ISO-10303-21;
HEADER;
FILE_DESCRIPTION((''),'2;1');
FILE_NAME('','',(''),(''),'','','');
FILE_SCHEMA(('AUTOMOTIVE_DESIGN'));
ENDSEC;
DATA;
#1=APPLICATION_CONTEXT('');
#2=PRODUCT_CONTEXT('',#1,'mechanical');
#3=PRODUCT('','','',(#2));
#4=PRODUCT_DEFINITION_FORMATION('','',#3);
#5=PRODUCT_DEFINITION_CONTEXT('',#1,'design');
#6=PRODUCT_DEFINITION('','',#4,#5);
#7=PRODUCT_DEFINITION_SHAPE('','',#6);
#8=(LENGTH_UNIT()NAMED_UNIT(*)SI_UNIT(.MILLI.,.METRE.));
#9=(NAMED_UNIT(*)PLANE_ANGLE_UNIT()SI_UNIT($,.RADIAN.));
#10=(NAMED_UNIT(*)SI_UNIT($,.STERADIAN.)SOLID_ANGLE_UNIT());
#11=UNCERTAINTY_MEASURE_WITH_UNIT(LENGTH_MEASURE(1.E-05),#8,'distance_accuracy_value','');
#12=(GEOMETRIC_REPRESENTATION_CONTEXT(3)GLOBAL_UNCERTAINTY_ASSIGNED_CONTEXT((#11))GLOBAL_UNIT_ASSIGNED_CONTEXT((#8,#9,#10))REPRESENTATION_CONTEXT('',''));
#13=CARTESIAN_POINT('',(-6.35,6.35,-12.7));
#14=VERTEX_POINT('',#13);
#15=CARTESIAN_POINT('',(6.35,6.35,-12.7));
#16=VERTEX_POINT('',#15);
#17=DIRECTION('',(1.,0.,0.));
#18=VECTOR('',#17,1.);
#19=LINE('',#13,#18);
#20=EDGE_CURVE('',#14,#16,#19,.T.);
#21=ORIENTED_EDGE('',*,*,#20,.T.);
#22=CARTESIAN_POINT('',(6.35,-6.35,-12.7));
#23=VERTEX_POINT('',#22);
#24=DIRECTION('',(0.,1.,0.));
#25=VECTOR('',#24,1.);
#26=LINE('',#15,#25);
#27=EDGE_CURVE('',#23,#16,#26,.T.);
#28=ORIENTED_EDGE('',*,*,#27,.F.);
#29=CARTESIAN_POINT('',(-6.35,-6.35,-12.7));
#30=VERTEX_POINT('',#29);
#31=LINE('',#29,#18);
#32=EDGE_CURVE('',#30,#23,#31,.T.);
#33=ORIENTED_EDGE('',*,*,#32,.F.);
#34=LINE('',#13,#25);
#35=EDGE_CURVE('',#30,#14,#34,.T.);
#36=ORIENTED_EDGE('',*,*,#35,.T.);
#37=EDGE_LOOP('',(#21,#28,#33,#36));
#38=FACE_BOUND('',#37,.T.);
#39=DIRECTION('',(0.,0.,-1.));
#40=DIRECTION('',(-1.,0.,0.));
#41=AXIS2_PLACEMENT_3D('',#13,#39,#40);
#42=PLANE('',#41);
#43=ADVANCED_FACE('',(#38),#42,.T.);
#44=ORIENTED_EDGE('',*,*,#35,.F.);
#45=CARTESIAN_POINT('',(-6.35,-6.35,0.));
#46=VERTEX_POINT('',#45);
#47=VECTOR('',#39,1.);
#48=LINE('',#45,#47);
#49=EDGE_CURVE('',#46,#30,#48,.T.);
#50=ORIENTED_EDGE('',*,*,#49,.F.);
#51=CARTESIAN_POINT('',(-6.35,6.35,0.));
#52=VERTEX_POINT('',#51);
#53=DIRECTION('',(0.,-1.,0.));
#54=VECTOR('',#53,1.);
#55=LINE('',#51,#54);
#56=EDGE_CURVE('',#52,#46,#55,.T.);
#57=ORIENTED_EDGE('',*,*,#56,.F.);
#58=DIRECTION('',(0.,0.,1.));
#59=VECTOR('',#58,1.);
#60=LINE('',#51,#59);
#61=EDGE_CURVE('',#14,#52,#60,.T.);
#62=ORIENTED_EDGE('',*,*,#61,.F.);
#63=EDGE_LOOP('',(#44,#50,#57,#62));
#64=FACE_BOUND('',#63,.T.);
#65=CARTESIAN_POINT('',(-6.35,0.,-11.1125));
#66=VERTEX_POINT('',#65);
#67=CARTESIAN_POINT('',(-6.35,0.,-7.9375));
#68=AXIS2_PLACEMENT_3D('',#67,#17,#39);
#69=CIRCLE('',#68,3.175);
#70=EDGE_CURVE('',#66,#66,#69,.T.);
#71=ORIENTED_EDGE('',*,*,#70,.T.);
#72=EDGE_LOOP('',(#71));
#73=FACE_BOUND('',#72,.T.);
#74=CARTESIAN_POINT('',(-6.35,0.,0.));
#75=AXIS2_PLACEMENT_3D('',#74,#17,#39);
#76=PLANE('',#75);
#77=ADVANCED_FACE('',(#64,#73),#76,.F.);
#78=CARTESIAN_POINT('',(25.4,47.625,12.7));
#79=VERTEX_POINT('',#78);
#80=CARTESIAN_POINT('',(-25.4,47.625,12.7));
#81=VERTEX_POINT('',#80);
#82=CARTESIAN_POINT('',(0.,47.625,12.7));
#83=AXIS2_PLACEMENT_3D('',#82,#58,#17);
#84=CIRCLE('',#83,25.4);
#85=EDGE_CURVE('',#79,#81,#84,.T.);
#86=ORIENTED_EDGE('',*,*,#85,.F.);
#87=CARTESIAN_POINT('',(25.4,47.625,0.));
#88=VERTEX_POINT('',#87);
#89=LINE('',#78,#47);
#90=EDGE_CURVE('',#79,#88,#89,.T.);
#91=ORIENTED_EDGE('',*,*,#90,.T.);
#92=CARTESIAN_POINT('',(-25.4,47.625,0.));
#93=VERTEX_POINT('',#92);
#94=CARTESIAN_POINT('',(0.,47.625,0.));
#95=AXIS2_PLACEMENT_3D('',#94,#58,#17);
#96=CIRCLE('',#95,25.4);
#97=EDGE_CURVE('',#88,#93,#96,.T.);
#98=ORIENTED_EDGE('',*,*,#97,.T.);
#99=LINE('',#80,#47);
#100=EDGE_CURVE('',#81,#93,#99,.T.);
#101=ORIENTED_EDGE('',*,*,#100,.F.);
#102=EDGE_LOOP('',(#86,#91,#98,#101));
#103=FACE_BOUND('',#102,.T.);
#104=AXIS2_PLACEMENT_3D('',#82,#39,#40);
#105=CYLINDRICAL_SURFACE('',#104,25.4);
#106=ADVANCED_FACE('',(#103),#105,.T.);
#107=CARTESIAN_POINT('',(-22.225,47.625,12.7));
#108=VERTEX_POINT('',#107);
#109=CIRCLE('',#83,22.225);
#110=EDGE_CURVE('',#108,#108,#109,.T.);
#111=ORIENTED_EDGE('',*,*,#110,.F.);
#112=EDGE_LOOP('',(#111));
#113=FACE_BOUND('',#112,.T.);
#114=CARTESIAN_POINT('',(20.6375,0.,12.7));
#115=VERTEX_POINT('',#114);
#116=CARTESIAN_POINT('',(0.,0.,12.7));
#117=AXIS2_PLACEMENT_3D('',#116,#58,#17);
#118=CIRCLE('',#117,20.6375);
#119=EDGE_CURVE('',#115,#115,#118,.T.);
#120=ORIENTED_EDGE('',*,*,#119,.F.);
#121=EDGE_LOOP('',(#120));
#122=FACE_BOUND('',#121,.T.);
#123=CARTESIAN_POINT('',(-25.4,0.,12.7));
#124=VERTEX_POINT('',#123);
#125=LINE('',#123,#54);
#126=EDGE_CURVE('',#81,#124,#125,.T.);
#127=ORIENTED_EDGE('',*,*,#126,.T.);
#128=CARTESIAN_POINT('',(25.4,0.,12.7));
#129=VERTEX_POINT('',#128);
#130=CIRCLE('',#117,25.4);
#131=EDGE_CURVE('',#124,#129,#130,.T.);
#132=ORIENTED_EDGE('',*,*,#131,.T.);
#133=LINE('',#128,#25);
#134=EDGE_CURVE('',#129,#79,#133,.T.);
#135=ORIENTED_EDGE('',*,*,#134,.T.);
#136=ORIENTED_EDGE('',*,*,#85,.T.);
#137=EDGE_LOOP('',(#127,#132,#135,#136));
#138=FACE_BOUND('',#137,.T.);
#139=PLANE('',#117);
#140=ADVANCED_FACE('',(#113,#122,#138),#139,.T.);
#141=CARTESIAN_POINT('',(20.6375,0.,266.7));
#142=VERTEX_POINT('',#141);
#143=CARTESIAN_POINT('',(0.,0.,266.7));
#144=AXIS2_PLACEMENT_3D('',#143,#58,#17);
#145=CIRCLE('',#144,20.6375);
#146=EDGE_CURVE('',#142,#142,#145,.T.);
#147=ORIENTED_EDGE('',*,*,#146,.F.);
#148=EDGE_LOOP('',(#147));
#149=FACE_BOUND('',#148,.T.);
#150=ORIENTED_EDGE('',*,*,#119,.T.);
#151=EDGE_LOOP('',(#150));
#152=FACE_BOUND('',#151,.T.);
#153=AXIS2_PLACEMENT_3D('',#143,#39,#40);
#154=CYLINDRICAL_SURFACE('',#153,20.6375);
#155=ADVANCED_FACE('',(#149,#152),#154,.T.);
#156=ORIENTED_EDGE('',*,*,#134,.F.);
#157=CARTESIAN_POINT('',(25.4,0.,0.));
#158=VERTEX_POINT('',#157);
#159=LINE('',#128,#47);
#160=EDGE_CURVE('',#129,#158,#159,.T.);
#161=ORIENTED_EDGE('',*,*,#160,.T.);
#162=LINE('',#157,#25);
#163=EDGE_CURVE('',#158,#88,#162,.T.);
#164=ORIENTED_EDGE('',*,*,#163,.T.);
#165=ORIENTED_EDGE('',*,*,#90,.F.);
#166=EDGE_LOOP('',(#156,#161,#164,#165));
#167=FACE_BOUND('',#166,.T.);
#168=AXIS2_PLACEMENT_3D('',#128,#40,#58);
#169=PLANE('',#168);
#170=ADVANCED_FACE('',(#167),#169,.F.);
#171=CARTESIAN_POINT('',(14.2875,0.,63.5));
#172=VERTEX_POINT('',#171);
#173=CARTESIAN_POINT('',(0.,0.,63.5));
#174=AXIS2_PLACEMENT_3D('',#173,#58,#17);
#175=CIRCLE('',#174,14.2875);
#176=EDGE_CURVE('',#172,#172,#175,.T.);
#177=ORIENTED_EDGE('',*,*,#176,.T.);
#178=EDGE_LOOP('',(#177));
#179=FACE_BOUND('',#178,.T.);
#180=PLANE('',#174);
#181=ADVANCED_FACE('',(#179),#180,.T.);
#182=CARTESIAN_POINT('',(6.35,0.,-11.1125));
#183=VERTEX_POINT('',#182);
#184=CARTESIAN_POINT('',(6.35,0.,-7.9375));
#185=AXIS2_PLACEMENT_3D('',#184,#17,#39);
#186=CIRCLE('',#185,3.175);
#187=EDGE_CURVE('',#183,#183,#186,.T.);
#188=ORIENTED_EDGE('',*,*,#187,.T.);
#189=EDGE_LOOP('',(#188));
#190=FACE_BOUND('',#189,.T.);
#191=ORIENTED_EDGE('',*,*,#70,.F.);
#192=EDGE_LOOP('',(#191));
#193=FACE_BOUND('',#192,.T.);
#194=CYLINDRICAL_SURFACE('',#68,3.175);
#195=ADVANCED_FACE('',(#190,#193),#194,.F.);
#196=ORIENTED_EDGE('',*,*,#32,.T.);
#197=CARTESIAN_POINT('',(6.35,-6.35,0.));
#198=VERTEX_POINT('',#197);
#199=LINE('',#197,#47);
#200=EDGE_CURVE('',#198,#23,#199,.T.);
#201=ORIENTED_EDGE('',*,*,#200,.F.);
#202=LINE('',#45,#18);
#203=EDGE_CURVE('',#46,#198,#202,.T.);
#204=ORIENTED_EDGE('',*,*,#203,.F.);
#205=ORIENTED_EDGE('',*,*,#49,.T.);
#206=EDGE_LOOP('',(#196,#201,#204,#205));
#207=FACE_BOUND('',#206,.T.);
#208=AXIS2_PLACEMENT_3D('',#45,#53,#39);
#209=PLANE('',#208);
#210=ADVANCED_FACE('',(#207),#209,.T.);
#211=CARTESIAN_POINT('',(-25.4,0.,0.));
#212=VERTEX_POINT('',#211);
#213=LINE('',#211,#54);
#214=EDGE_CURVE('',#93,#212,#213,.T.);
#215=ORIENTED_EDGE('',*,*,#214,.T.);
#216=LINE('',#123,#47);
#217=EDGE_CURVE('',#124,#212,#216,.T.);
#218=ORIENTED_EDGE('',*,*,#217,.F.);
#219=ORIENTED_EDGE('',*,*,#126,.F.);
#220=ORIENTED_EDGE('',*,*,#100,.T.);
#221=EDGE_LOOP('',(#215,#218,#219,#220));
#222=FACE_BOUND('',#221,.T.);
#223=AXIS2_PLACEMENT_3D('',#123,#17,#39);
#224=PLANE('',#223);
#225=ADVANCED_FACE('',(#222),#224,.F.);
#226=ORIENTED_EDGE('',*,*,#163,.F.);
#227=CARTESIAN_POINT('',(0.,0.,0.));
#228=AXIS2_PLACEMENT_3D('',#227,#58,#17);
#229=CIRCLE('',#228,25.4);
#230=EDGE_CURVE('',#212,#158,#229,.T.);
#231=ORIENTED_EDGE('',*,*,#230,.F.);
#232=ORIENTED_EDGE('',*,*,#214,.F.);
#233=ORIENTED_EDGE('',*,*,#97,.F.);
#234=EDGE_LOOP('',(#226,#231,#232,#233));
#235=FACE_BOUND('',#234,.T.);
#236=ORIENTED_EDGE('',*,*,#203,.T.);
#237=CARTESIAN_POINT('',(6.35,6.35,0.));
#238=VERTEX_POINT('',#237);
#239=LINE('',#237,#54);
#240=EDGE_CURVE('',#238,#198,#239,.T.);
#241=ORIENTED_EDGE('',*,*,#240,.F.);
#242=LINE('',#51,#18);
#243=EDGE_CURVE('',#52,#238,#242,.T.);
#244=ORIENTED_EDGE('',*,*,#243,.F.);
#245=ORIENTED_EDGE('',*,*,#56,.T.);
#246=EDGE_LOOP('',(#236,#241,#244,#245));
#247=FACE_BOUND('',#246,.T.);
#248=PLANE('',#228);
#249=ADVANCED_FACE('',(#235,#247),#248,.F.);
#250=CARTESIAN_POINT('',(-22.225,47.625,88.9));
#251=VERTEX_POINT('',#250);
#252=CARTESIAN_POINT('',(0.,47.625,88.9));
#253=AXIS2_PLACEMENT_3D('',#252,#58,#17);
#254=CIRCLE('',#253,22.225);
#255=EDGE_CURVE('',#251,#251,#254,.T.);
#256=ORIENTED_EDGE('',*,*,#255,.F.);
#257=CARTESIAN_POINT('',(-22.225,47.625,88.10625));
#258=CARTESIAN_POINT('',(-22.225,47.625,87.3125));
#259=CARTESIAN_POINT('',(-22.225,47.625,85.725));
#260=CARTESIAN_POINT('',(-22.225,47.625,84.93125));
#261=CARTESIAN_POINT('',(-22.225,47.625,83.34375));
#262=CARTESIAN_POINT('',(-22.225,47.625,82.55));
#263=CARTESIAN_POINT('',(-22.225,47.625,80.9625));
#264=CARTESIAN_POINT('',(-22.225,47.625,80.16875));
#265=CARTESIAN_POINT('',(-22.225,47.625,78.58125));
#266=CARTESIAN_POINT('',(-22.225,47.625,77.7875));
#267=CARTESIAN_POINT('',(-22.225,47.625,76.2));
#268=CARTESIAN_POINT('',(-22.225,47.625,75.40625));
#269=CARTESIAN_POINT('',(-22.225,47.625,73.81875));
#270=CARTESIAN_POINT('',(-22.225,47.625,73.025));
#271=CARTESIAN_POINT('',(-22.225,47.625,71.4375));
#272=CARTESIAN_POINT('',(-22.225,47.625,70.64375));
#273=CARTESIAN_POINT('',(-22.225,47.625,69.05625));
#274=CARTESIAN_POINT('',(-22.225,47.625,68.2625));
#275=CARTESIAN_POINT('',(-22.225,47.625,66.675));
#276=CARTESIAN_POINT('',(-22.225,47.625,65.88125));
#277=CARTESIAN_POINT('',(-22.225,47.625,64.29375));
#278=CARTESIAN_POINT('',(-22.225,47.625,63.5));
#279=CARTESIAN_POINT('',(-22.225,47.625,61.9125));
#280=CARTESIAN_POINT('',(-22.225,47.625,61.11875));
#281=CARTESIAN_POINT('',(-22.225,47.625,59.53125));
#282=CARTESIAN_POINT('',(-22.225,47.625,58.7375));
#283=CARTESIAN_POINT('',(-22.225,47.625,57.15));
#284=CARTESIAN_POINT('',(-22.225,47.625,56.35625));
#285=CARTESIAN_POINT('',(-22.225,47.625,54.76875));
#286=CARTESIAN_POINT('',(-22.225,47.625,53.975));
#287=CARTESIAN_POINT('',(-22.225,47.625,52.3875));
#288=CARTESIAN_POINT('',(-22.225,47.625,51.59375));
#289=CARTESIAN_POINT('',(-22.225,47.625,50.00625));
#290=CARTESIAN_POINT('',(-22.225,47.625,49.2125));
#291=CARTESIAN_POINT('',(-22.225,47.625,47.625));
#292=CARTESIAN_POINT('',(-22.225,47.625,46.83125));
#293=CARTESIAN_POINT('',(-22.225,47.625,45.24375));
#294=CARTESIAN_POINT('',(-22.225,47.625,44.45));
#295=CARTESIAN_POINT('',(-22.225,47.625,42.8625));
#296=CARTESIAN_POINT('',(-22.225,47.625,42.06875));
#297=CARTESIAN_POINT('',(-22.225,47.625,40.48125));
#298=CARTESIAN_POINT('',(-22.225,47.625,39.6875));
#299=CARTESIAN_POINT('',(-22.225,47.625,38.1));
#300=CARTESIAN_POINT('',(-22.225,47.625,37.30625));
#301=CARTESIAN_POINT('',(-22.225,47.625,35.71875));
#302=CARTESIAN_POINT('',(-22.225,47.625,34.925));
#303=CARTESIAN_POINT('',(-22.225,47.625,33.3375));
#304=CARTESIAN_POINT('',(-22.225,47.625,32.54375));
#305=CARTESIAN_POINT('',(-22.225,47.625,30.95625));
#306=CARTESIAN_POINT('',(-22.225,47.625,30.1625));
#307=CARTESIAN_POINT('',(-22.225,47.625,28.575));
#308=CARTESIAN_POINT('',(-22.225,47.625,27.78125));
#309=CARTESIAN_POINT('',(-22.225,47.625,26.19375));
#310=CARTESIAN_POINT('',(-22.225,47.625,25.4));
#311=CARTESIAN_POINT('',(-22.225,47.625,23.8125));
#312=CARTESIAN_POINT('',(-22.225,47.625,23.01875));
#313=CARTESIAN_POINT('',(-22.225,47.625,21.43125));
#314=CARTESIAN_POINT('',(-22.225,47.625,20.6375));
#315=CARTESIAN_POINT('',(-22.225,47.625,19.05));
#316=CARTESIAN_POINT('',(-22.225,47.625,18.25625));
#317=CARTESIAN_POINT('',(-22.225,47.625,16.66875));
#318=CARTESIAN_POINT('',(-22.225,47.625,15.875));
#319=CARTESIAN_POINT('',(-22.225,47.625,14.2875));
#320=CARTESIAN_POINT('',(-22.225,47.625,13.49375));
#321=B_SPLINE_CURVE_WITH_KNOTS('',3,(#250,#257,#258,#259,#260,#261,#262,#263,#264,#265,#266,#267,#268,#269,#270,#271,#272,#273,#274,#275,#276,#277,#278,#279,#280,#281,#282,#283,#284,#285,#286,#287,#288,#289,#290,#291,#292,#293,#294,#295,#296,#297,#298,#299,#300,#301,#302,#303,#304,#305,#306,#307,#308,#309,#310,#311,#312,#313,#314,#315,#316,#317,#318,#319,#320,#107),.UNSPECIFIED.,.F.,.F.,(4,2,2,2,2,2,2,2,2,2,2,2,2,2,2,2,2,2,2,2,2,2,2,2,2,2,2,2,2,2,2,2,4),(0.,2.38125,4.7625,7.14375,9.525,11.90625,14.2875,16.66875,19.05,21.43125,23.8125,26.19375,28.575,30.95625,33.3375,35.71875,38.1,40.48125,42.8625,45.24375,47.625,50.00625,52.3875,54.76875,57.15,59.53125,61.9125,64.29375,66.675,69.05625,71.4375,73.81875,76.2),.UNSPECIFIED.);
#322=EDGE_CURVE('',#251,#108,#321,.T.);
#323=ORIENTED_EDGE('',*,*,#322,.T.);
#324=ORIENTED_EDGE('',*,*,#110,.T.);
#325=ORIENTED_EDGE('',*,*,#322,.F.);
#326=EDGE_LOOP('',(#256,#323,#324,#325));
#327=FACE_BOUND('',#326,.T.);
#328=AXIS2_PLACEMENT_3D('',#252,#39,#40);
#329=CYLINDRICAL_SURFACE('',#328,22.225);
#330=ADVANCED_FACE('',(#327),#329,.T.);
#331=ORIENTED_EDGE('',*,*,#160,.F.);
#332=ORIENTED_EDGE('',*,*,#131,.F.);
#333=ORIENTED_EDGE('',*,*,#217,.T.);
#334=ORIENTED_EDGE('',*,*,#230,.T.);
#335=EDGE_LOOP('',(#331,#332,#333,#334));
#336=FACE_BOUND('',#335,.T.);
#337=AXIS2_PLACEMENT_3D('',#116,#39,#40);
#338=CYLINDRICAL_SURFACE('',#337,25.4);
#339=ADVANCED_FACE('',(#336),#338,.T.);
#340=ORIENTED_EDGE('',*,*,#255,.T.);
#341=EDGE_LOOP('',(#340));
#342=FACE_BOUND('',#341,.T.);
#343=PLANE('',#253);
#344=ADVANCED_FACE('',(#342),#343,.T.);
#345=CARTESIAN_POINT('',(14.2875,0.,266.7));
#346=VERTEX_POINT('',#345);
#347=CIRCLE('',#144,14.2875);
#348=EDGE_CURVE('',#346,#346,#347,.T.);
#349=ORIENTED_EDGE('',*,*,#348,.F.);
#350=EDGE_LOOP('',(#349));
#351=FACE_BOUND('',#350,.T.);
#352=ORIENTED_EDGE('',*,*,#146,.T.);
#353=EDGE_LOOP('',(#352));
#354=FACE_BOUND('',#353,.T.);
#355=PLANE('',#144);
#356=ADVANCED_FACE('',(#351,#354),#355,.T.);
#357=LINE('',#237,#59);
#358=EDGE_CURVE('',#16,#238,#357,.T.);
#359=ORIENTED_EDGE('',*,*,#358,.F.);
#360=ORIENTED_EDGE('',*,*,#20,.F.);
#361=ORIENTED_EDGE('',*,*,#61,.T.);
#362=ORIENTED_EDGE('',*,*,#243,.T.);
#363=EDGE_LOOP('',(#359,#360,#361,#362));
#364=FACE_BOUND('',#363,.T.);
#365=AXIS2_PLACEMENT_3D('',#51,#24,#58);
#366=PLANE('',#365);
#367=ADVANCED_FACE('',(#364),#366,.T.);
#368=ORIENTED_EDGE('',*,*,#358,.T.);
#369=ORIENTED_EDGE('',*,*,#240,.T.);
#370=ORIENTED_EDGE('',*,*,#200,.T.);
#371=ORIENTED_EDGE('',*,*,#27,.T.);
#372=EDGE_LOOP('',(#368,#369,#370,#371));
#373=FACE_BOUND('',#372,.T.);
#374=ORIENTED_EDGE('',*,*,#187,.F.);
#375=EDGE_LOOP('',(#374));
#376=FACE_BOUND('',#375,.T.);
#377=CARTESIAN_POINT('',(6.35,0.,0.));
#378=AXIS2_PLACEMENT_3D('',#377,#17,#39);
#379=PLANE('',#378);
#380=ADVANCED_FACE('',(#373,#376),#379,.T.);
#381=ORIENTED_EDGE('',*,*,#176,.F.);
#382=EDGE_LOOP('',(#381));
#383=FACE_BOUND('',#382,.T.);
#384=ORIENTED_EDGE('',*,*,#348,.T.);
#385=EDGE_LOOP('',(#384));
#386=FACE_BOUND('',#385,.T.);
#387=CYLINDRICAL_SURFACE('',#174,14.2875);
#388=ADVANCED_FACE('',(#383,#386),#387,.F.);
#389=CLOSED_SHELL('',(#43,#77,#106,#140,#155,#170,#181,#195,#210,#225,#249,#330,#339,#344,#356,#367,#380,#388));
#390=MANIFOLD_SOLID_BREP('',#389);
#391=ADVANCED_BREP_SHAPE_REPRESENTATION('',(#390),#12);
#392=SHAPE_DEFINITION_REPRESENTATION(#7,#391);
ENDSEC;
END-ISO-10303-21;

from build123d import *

# Parameters (mm, degrees)
BOSS_EXTRUDE1_DEPTH      = 12.7
SKETCH2_R                = 22.225
BOSS_EXTRUDE2_DEPTH      = 76.2
SKETCH3_R                = 20.6375
BOSS_EXTRUDE3_DEPTH      = 254
SKETCH4_R                = 14.2875
CUT_EXTRUDE1_DEPTH       = 203.2
BOSS_EXTRUDE4_DEPTH      = 6.35
BOSS_EXTRUDE4_DEPTH_BACK = 6.35
SKETCH5_W                = 12.7
SKETCH5_H                = 12.7
SKETCH5_R                = 3.175


with BuildPart() as part:
    # Sketch1 → Boss-Extrude1 (new body)
    with BuildSketch(Plane.XY):
        with BuildLine():
            Line((-25.4, 0), (-25.4, 47.625))
            ThreePointArc((-25.4, 47.625), (0, 73.025), (25.4, 47.625))
            Line((25.4, 47.625), (25.4, 0))
            ThreePointArc((25.4, 0), (0, -25.4), (-25.4, 0))
        make_face()
    extrude(amount=BOSS_EXTRUDE1_DEPTH)

    # Sketch2 → Boss-Extrude2 (add)
    with BuildSketch(Plane.XY.offset(12.7)):
        with Locations(Location((0, 47.625, 0), (0, 0, 180))):
            Circle(SKETCH2_R)
    extrude(amount=BOSS_EXTRUDE2_DEPTH)

    # Sketch3 → Boss-Extrude3 (add)
    with BuildSketch(Plane.XY.offset(12.7)):
        Circle(SKETCH3_R)
    extrude(amount=BOSS_EXTRUDE3_DEPTH)

    # Sketch4 → Cut-Extrude1 (cut)
    with BuildSketch(Plane.XY.offset(266.7)):
        Circle(SKETCH4_R)
    extrude(amount=-CUT_EXTRUDE1_DEPTH, mode=Mode.SUBTRACT)

    # Sketch5 → Boss-Extrude4 (add, two sides: drawn at the far end of the back side and taken through both)
    with BuildSketch(Plane(origin=(0, 0, 0), x_dir=(0, 0, -1), z_dir=(1, 0, 0)).offset(-BOSS_EXTRUDE4_DEPTH_BACK)):
        with Locations((6.35, 0)):
            Rectangle(SKETCH5_W, SKETCH5_H)
        with Locations((7.9375, 0)):
            Circle(SKETCH5_R, mode=Mode.SUBTRACT)
    extrude(amount=BOSS_EXTRUDE4_DEPTH + BOSS_EXTRUDE4_DEPTH_BACK)


solid = part.part
